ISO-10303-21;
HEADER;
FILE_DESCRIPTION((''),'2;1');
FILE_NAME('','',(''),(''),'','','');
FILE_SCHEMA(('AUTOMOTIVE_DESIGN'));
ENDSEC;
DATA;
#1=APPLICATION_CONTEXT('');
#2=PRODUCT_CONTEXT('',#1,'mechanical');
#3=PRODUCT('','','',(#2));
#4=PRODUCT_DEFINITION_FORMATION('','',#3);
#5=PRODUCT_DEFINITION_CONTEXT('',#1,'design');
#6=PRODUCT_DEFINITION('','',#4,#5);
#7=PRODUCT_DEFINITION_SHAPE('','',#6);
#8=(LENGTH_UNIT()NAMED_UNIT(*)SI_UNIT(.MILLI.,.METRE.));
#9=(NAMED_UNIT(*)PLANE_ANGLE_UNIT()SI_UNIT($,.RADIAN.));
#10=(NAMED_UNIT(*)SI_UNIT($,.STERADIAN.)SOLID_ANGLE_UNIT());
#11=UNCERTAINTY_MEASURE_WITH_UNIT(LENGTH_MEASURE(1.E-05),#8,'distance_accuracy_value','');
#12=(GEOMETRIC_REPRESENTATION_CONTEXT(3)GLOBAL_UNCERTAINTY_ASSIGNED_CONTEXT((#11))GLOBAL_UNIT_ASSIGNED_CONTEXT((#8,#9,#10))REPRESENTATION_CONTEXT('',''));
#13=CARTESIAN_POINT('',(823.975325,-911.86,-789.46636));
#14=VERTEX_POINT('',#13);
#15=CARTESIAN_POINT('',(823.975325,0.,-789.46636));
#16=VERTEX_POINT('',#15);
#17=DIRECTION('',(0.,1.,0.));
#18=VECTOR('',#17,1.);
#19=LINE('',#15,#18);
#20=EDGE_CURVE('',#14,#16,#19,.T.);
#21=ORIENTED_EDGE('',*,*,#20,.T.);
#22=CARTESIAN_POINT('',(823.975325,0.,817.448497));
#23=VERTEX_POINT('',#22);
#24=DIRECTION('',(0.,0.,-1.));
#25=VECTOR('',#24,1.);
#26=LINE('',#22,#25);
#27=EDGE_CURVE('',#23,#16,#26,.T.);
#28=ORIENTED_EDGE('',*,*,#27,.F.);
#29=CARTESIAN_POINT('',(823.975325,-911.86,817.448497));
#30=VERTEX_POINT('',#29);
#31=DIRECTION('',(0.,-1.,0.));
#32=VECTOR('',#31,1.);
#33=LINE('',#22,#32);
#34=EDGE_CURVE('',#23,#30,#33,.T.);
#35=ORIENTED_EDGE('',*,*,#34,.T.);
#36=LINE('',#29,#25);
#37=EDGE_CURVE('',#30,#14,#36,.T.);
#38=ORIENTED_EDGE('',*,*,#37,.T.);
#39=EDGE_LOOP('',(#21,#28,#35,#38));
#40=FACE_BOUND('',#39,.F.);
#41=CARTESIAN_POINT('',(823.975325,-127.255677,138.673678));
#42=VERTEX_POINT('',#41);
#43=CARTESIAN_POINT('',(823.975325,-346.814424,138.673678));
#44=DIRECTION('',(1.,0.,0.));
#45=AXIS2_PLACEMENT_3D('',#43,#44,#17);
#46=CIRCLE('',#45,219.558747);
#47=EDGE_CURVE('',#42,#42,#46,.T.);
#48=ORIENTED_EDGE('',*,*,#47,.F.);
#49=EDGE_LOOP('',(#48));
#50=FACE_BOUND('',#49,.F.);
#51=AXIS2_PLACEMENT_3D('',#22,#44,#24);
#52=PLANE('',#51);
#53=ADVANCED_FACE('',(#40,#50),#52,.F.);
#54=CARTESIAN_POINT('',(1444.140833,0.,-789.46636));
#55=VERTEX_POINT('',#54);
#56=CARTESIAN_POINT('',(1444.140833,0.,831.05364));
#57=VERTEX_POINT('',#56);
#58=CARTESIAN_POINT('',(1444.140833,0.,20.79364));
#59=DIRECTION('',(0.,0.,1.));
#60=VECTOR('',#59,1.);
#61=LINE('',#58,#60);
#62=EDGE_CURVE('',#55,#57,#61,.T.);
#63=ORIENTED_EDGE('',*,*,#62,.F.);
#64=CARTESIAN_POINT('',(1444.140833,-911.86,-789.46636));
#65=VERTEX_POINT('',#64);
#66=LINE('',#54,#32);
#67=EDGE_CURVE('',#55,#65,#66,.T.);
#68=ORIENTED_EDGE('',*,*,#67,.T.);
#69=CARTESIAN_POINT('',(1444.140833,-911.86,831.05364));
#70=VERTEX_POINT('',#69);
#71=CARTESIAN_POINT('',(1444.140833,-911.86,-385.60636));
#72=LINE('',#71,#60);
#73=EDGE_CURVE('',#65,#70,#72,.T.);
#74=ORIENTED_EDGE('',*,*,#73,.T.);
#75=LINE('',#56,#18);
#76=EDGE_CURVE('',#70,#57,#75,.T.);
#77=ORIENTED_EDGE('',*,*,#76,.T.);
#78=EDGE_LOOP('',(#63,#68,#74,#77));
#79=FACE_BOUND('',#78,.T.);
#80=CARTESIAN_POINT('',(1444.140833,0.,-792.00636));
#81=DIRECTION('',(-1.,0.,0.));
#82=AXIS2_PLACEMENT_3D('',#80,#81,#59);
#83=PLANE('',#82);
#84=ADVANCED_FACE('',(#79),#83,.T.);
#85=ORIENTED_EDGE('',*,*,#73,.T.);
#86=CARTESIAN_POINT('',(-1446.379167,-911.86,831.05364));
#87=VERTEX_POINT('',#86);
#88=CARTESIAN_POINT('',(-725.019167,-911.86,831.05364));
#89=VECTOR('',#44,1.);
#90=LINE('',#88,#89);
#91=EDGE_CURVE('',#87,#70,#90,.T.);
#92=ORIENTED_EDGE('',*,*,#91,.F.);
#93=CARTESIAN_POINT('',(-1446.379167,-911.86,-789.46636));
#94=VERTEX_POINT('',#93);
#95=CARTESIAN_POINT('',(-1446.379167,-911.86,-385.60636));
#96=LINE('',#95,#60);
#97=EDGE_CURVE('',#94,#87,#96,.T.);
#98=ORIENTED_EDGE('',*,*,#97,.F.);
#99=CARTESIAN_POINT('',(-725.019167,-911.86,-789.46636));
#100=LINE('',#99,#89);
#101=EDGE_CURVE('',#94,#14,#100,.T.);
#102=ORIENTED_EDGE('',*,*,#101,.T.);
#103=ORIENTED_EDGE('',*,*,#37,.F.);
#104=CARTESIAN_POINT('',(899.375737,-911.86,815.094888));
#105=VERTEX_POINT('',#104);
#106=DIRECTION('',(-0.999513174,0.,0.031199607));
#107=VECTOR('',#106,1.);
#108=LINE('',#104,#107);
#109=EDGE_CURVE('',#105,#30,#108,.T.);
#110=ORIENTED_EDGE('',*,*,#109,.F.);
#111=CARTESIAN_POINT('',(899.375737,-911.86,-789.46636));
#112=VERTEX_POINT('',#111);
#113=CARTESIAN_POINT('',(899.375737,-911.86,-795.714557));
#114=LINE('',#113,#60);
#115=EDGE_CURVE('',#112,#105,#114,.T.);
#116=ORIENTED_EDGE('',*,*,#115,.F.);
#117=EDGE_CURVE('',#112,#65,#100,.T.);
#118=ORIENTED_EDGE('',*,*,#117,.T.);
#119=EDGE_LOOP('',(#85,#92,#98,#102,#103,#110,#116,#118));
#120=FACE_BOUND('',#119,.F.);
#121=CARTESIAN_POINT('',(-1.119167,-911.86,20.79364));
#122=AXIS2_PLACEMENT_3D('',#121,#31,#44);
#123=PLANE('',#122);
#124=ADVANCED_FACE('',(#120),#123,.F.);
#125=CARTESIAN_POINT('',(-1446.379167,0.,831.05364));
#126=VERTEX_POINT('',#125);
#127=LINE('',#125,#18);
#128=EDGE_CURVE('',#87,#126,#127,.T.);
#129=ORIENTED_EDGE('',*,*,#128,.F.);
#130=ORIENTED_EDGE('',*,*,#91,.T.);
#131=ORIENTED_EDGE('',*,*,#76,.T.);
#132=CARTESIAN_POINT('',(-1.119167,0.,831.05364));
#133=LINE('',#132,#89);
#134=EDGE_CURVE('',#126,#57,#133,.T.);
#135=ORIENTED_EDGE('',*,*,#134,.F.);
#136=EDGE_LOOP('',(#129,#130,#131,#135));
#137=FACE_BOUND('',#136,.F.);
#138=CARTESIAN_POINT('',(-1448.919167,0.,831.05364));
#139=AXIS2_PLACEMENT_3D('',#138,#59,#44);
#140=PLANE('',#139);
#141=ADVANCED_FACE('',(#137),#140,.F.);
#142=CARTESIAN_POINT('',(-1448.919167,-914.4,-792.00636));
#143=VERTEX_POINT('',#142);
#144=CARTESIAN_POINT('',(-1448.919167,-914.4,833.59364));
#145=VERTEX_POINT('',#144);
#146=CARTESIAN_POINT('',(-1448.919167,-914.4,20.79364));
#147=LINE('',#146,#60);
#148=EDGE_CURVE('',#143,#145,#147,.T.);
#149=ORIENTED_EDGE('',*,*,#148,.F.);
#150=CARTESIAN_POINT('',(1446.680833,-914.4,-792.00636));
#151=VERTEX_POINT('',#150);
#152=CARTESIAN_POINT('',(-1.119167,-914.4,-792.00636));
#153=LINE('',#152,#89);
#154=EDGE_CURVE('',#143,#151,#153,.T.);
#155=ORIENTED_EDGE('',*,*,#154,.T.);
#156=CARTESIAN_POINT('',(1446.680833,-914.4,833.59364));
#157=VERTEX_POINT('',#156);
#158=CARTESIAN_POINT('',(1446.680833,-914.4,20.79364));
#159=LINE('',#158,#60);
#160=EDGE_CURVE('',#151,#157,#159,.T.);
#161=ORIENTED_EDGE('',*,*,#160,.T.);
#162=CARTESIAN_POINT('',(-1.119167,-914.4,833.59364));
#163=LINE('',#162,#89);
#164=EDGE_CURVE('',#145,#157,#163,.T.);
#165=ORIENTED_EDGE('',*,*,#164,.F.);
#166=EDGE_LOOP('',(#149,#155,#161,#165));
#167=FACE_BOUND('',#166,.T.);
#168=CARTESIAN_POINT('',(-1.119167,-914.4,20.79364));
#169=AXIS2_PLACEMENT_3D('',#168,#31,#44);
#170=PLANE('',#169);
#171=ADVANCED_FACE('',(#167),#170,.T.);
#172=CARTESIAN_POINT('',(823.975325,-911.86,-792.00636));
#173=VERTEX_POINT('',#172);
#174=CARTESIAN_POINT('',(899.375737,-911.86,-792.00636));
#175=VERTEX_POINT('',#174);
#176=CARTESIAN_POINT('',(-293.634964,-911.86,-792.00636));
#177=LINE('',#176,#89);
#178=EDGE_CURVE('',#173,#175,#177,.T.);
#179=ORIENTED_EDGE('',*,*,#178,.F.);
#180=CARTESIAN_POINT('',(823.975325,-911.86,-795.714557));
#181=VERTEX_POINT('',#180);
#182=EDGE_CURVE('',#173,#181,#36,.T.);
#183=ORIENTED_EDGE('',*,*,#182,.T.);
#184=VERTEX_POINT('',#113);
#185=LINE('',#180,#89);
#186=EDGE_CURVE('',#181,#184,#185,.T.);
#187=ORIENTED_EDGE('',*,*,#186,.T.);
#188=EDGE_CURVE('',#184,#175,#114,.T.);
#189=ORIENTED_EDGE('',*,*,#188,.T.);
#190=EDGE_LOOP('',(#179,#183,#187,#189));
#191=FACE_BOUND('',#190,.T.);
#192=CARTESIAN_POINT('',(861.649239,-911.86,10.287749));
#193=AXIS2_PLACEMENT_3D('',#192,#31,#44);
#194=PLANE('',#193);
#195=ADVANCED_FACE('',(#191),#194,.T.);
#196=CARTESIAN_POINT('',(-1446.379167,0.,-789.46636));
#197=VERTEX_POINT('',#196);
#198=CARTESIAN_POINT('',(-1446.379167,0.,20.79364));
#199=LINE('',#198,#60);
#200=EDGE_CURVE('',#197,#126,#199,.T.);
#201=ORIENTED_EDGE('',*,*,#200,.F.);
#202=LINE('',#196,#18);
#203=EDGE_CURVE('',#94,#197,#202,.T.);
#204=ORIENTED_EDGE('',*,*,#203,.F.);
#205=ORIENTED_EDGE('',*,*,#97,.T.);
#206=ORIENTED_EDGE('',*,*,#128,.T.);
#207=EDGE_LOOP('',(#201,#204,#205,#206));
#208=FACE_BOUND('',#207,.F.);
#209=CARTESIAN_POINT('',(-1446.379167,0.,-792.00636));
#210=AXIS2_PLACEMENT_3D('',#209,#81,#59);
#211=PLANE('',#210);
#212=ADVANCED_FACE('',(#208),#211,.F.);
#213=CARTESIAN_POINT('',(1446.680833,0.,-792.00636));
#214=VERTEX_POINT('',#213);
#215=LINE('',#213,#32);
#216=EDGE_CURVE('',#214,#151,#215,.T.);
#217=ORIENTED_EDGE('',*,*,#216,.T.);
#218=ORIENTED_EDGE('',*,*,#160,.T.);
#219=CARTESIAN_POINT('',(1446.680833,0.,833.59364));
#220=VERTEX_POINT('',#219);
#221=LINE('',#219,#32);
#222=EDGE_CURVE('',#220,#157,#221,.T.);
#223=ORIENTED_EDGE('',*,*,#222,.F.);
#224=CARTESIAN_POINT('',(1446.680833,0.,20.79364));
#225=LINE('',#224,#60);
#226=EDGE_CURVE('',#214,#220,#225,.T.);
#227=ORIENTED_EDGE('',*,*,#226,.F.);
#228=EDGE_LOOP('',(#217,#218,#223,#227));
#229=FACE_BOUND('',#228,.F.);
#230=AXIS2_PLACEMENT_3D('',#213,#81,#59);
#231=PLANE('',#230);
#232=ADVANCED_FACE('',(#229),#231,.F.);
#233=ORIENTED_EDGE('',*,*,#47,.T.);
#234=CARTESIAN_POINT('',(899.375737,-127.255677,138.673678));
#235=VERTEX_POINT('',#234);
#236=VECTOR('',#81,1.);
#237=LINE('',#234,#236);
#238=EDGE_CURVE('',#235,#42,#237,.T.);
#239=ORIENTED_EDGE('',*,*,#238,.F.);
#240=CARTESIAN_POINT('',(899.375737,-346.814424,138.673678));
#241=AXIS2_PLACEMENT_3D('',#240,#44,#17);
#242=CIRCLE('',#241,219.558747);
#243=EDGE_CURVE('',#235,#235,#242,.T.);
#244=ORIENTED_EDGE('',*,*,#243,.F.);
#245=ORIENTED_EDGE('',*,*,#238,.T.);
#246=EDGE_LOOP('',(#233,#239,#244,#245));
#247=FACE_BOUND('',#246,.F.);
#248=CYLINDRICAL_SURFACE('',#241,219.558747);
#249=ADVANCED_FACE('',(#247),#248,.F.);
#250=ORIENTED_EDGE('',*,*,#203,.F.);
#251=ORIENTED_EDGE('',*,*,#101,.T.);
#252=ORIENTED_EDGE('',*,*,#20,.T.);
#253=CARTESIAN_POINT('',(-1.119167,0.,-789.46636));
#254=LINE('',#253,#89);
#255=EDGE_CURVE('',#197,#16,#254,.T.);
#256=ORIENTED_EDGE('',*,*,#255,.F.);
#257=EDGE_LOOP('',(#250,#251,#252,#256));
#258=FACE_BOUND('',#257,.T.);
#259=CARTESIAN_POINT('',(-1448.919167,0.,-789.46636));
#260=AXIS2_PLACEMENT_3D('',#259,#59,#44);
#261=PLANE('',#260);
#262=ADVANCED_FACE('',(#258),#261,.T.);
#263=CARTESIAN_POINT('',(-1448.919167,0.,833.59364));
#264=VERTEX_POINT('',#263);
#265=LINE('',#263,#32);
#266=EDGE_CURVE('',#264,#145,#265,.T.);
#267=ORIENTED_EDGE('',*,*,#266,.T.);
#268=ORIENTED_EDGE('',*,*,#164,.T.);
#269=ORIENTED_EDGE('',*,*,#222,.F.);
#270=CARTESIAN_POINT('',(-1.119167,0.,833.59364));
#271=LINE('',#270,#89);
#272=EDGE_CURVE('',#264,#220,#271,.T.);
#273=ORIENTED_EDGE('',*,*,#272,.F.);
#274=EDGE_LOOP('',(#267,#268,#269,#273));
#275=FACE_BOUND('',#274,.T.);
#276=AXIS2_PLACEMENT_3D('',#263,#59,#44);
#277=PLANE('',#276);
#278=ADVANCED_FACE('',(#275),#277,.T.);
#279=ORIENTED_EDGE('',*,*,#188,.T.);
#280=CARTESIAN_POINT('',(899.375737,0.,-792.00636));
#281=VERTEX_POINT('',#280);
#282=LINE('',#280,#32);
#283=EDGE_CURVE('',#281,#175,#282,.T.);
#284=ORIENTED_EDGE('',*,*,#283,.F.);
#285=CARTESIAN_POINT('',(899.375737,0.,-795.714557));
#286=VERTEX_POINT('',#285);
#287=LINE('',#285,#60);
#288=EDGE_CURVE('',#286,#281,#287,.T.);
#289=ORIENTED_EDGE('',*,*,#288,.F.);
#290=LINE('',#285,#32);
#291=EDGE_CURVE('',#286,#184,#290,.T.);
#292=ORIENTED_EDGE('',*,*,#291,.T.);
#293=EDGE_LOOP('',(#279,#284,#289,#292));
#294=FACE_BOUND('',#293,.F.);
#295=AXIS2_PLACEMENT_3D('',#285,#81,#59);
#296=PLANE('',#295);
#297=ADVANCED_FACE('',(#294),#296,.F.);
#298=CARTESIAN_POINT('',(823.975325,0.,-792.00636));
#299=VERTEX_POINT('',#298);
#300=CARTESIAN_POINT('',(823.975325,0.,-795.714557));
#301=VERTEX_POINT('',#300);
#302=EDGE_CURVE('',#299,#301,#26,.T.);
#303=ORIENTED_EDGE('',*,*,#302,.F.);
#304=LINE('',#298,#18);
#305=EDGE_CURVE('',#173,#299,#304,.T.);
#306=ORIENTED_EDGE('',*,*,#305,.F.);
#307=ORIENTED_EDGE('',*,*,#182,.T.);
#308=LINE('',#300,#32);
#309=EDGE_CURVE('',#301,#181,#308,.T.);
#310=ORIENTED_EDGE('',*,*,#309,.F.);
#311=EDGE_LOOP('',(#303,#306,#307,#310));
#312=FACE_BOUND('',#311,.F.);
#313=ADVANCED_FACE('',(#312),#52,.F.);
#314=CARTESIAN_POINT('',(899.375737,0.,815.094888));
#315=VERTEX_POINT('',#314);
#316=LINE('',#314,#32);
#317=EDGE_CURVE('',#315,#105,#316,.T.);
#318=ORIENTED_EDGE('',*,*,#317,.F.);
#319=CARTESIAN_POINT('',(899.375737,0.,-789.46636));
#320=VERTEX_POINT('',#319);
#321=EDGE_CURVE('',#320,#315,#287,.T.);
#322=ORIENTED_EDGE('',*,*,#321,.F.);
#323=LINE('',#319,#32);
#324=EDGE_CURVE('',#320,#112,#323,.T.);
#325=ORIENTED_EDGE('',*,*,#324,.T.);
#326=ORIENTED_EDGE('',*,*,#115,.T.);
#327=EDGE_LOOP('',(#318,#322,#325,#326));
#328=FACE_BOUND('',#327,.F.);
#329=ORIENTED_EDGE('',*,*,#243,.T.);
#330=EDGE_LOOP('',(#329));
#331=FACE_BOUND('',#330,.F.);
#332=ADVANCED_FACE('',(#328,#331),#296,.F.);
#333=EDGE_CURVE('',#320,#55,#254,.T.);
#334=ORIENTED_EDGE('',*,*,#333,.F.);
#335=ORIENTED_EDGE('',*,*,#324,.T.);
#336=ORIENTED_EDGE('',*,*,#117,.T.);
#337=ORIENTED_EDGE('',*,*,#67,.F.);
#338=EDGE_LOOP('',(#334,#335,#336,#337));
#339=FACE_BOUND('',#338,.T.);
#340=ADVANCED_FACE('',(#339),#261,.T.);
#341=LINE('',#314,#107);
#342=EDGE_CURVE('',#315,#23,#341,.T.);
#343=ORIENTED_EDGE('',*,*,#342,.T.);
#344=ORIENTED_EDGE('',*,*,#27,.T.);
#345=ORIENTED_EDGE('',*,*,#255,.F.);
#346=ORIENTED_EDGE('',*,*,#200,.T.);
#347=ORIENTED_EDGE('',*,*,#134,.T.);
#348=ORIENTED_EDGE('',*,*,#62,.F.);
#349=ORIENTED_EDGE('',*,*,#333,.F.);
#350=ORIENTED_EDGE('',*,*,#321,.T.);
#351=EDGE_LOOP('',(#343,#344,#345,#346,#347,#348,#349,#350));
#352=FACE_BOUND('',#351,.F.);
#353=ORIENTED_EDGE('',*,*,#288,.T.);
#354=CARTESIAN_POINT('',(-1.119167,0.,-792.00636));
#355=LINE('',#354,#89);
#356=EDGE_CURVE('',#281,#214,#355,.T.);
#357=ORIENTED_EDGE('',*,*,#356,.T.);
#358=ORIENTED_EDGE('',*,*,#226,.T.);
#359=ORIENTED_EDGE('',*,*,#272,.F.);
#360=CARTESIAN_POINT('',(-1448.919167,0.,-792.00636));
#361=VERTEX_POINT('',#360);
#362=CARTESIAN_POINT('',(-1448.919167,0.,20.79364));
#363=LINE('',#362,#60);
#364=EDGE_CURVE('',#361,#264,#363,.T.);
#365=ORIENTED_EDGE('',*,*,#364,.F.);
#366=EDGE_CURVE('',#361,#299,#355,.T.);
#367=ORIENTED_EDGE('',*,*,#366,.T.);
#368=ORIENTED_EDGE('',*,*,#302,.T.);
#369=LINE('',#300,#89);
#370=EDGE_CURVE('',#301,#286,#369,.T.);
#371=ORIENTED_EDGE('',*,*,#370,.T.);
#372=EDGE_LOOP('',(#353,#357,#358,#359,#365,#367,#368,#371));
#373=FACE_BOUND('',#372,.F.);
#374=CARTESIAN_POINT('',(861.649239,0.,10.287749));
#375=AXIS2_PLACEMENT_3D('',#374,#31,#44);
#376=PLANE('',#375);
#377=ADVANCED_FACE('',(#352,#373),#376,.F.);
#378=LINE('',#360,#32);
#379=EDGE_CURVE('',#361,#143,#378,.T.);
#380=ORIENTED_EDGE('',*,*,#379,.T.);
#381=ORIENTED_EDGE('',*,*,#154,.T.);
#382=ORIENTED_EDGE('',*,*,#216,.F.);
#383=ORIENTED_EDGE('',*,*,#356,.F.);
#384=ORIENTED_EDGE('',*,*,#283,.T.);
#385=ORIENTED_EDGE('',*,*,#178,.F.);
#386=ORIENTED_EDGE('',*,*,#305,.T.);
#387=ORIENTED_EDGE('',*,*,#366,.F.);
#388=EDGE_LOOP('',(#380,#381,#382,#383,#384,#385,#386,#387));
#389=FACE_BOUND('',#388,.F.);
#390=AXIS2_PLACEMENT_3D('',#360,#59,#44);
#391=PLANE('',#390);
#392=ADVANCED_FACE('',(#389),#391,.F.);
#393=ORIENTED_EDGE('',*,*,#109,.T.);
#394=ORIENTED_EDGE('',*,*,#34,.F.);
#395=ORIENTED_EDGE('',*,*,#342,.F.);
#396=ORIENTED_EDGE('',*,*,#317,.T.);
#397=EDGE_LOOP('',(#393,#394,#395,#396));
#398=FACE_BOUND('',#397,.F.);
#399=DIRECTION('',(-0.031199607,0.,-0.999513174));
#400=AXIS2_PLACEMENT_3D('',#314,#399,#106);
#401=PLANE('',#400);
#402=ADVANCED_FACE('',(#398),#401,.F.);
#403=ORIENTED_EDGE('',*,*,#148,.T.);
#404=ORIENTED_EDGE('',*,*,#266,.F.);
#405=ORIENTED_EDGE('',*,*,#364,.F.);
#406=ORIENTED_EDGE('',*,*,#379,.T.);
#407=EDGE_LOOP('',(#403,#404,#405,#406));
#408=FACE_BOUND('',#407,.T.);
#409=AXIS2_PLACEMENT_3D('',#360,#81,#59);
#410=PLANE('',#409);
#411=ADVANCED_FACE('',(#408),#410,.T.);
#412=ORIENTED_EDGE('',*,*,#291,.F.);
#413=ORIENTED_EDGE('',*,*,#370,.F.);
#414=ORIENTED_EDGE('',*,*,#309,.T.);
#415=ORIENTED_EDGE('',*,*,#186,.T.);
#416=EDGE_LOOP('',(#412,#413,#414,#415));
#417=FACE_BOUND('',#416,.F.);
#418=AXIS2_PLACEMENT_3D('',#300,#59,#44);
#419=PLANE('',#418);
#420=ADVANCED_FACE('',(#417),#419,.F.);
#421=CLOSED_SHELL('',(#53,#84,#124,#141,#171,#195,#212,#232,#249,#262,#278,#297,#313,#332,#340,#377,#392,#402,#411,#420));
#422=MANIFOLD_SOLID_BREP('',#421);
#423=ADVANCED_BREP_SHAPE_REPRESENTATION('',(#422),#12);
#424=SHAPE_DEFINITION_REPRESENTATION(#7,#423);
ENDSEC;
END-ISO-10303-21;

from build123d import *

# Parameters (mm, degrees)
F0_W     = 2895.6
F0_H     = 1625.6
F1_DEPTH = 914.4
F2_T     = -2.54
F4_DEPTH = 911.86
F5_R     = 219.558747
F6_DEPTH = 111.76


with BuildPart() as f1:
    # F0 (on Front) → F1 (new body)
    with BuildSketch(Plane.XZ):
        with Locations((-1.119167, 20.79364)):
            Rectangle(F0_W, F0_H)
    extrude(amount=F1_DEPTH)

    # F2
    f2_openings = [f1.faces().sort_by_distance(p)[0] for p in [
        (-1.119167, 0, 20.79364),
    ]]
    offset(amount=F2_T, openings=f2_openings)

    # F3 (on Front) → F4 (join)
    with BuildSketch(Plane.XZ):
        Polygon((899.375737, -795.714557), (899.375737, 815.094888), (823.975325, 817.448497), (823.975325, -795.714557), align=None)
    extrude(amount=F4_DEPTH)

    # F5 (on face) → F6 (cut)
    with BuildSketch(Plane.YZ.offset(899.375737)):
        with Locations((-346.814424, 138.673678)):
            Circle(F5_R)
    extrude(amount=-F6_DEPTH, mode=Mode.SUBTRACT)


solid = f1.part
